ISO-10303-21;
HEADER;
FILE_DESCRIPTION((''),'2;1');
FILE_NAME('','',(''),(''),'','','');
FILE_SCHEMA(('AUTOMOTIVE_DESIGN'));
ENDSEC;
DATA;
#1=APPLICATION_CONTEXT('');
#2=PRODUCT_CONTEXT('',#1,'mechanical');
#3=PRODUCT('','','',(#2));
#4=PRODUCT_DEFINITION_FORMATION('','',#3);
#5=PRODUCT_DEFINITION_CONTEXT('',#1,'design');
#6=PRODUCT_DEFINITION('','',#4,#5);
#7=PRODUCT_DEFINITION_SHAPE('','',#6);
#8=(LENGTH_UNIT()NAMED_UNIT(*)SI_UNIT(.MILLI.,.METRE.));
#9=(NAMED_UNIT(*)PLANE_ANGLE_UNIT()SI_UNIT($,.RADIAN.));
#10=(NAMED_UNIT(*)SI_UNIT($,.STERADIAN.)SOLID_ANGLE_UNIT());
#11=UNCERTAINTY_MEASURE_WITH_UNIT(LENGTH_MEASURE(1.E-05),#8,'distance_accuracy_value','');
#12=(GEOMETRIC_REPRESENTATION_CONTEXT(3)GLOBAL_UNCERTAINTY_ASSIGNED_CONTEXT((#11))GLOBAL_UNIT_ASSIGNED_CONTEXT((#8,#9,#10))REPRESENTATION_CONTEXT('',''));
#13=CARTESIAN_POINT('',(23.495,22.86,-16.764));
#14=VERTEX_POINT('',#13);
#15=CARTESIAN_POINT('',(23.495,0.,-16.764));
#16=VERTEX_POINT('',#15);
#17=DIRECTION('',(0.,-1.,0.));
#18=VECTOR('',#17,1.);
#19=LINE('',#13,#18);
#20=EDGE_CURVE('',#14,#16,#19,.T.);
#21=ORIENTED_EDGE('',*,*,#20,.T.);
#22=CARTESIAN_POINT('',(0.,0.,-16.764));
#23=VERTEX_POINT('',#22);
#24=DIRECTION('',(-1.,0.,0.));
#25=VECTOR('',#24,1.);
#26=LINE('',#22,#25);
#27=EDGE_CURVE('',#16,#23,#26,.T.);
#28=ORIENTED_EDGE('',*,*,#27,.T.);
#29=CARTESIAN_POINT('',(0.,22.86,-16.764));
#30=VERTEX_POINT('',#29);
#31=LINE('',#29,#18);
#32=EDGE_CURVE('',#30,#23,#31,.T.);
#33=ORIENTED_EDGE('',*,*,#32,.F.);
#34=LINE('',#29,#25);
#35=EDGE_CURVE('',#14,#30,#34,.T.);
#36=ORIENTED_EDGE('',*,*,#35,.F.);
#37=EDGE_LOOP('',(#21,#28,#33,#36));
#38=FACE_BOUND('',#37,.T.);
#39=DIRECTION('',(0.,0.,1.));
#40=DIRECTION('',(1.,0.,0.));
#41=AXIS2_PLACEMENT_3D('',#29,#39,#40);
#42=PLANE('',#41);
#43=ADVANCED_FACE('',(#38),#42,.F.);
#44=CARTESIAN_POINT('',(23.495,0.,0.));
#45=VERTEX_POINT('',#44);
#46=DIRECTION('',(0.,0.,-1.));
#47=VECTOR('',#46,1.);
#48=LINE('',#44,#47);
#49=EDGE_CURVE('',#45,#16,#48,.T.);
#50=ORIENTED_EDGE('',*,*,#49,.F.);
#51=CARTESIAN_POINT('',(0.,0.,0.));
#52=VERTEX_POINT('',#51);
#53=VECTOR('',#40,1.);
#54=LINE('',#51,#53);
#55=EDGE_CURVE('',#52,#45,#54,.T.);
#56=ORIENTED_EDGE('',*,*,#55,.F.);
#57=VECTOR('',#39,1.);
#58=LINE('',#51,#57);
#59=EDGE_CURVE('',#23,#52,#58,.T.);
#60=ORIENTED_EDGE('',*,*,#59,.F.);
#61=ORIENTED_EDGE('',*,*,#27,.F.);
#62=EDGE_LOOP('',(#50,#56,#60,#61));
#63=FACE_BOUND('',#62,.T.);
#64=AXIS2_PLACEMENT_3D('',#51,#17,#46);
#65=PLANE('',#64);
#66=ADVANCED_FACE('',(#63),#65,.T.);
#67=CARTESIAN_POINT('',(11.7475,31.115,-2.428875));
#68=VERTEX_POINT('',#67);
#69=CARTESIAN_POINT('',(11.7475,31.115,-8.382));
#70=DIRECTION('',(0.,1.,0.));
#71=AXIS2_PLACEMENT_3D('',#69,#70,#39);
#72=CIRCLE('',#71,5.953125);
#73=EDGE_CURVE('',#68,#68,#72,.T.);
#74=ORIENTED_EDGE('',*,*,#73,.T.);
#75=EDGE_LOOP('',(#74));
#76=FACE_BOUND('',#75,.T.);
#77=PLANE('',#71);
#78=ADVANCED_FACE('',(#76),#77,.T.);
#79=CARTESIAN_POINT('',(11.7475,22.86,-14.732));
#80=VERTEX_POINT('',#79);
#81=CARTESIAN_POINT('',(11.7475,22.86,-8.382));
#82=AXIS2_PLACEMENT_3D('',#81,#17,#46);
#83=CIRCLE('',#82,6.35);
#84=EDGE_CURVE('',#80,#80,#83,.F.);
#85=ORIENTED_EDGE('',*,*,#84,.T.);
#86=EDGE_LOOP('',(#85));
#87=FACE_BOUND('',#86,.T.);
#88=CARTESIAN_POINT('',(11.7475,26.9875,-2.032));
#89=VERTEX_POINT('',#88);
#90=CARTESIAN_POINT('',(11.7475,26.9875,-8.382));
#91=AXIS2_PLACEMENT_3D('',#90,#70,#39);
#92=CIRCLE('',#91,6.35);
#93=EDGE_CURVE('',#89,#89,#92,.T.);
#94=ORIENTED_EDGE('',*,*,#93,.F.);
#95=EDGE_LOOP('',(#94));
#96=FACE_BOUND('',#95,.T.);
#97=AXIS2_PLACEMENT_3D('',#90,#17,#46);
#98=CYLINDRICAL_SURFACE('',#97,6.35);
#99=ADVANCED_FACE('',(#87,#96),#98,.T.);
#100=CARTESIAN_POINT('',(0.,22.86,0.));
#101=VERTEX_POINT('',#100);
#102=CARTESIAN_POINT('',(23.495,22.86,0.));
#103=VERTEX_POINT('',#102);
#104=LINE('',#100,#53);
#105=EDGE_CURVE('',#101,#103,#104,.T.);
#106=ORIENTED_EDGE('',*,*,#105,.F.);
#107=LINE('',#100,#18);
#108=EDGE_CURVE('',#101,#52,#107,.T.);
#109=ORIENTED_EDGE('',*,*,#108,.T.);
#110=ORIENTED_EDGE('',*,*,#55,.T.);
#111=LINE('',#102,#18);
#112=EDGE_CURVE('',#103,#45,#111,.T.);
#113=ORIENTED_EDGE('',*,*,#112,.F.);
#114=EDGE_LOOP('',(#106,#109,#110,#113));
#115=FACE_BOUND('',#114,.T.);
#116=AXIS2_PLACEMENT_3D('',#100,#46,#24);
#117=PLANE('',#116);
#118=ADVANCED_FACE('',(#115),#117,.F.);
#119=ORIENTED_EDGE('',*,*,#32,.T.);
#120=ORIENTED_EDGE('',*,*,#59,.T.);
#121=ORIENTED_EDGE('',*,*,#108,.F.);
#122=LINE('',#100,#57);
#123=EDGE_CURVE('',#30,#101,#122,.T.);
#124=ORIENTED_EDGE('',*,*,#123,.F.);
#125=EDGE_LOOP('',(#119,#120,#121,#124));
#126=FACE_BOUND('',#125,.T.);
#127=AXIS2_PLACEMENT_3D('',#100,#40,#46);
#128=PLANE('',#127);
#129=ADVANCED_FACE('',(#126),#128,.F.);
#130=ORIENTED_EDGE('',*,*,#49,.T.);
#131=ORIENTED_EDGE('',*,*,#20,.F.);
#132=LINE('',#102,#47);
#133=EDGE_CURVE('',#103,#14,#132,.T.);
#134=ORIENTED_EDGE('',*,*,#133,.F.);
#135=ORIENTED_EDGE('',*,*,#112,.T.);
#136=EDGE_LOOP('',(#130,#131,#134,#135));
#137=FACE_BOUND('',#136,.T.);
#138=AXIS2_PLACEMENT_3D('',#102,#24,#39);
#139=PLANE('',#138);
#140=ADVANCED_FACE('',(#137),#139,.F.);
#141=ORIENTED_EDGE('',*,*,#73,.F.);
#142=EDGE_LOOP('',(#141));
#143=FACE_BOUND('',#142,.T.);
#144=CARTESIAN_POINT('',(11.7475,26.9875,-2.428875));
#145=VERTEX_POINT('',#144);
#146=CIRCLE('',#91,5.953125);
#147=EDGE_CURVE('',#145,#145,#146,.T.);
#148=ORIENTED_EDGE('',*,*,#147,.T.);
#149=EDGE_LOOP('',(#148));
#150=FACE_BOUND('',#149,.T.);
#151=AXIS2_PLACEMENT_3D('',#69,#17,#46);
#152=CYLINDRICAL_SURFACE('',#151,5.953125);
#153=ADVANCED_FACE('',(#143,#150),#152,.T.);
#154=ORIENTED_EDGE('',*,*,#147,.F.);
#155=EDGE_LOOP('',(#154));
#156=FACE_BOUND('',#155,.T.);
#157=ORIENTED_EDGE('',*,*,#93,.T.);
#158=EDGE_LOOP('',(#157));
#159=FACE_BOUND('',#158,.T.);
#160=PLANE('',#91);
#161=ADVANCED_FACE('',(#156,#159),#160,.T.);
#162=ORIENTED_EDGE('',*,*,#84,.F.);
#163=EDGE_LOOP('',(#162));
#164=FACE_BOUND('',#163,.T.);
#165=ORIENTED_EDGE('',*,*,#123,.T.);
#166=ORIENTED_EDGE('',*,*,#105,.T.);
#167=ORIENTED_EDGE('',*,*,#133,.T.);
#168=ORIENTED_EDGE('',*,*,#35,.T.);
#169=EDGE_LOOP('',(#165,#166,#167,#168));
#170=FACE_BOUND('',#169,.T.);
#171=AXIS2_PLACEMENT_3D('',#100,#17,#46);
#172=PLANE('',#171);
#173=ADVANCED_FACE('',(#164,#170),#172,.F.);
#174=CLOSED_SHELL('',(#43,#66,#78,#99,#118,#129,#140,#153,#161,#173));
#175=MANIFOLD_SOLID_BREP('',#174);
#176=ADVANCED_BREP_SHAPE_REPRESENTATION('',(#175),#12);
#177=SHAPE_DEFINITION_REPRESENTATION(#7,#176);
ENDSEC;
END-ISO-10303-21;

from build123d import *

# Parameters (mm, degrees)
SKETCH1_W           = 23.495
SKETCH1_H           = 16.764
BOSS_EXTRUDE1_DEPTH = 22.86
SKETCH2_R           = 6.35
BOSS_EXTRUDE2_DEPTH = 4.1275
SKETCH3_R           = 5.953125
BOSS_EXTRUDE3_DEPTH = 4.1275


with BuildPart() as part:
    # Sketch1 → Boss-Extrude1 (new body)
    with BuildSketch(Plane(origin=(0, 0, 0), x_dir=(1, 0, 0), z_dir=(0, 1, 0))):
        with Locations((11.7475, 8.382)):
            Rectangle(SKETCH1_W, SKETCH1_H)
    extrude(amount=BOSS_EXTRUDE1_DEPTH)

    # Sketch2 → Boss-Extrude2 (add)
    with BuildSketch(Plane(origin=(0, 22.86, 0), x_dir=(1, 0, 0), z_dir=(0, 1, 0))):
        with Locations(Location((11.7475, 8.382, 0), (0, 0, 90))):
            Circle(SKETCH2_R)
    extrude(amount=BOSS_EXTRUDE2_DEPTH)

    # Sketch3 → Boss-Extrude3 (add)
    with BuildSketch(Plane(origin=(0, 26.9875, 0), x_dir=(1, 0, 0), z_dir=(0, 1, 0))):
        with Locations(Location((11.7475, 8.382, 0), (0, 0, 270))):
            Circle(SKETCH3_R)
    extrude(amount=BOSS_EXTRUDE3_DEPTH)


solid = part.part
